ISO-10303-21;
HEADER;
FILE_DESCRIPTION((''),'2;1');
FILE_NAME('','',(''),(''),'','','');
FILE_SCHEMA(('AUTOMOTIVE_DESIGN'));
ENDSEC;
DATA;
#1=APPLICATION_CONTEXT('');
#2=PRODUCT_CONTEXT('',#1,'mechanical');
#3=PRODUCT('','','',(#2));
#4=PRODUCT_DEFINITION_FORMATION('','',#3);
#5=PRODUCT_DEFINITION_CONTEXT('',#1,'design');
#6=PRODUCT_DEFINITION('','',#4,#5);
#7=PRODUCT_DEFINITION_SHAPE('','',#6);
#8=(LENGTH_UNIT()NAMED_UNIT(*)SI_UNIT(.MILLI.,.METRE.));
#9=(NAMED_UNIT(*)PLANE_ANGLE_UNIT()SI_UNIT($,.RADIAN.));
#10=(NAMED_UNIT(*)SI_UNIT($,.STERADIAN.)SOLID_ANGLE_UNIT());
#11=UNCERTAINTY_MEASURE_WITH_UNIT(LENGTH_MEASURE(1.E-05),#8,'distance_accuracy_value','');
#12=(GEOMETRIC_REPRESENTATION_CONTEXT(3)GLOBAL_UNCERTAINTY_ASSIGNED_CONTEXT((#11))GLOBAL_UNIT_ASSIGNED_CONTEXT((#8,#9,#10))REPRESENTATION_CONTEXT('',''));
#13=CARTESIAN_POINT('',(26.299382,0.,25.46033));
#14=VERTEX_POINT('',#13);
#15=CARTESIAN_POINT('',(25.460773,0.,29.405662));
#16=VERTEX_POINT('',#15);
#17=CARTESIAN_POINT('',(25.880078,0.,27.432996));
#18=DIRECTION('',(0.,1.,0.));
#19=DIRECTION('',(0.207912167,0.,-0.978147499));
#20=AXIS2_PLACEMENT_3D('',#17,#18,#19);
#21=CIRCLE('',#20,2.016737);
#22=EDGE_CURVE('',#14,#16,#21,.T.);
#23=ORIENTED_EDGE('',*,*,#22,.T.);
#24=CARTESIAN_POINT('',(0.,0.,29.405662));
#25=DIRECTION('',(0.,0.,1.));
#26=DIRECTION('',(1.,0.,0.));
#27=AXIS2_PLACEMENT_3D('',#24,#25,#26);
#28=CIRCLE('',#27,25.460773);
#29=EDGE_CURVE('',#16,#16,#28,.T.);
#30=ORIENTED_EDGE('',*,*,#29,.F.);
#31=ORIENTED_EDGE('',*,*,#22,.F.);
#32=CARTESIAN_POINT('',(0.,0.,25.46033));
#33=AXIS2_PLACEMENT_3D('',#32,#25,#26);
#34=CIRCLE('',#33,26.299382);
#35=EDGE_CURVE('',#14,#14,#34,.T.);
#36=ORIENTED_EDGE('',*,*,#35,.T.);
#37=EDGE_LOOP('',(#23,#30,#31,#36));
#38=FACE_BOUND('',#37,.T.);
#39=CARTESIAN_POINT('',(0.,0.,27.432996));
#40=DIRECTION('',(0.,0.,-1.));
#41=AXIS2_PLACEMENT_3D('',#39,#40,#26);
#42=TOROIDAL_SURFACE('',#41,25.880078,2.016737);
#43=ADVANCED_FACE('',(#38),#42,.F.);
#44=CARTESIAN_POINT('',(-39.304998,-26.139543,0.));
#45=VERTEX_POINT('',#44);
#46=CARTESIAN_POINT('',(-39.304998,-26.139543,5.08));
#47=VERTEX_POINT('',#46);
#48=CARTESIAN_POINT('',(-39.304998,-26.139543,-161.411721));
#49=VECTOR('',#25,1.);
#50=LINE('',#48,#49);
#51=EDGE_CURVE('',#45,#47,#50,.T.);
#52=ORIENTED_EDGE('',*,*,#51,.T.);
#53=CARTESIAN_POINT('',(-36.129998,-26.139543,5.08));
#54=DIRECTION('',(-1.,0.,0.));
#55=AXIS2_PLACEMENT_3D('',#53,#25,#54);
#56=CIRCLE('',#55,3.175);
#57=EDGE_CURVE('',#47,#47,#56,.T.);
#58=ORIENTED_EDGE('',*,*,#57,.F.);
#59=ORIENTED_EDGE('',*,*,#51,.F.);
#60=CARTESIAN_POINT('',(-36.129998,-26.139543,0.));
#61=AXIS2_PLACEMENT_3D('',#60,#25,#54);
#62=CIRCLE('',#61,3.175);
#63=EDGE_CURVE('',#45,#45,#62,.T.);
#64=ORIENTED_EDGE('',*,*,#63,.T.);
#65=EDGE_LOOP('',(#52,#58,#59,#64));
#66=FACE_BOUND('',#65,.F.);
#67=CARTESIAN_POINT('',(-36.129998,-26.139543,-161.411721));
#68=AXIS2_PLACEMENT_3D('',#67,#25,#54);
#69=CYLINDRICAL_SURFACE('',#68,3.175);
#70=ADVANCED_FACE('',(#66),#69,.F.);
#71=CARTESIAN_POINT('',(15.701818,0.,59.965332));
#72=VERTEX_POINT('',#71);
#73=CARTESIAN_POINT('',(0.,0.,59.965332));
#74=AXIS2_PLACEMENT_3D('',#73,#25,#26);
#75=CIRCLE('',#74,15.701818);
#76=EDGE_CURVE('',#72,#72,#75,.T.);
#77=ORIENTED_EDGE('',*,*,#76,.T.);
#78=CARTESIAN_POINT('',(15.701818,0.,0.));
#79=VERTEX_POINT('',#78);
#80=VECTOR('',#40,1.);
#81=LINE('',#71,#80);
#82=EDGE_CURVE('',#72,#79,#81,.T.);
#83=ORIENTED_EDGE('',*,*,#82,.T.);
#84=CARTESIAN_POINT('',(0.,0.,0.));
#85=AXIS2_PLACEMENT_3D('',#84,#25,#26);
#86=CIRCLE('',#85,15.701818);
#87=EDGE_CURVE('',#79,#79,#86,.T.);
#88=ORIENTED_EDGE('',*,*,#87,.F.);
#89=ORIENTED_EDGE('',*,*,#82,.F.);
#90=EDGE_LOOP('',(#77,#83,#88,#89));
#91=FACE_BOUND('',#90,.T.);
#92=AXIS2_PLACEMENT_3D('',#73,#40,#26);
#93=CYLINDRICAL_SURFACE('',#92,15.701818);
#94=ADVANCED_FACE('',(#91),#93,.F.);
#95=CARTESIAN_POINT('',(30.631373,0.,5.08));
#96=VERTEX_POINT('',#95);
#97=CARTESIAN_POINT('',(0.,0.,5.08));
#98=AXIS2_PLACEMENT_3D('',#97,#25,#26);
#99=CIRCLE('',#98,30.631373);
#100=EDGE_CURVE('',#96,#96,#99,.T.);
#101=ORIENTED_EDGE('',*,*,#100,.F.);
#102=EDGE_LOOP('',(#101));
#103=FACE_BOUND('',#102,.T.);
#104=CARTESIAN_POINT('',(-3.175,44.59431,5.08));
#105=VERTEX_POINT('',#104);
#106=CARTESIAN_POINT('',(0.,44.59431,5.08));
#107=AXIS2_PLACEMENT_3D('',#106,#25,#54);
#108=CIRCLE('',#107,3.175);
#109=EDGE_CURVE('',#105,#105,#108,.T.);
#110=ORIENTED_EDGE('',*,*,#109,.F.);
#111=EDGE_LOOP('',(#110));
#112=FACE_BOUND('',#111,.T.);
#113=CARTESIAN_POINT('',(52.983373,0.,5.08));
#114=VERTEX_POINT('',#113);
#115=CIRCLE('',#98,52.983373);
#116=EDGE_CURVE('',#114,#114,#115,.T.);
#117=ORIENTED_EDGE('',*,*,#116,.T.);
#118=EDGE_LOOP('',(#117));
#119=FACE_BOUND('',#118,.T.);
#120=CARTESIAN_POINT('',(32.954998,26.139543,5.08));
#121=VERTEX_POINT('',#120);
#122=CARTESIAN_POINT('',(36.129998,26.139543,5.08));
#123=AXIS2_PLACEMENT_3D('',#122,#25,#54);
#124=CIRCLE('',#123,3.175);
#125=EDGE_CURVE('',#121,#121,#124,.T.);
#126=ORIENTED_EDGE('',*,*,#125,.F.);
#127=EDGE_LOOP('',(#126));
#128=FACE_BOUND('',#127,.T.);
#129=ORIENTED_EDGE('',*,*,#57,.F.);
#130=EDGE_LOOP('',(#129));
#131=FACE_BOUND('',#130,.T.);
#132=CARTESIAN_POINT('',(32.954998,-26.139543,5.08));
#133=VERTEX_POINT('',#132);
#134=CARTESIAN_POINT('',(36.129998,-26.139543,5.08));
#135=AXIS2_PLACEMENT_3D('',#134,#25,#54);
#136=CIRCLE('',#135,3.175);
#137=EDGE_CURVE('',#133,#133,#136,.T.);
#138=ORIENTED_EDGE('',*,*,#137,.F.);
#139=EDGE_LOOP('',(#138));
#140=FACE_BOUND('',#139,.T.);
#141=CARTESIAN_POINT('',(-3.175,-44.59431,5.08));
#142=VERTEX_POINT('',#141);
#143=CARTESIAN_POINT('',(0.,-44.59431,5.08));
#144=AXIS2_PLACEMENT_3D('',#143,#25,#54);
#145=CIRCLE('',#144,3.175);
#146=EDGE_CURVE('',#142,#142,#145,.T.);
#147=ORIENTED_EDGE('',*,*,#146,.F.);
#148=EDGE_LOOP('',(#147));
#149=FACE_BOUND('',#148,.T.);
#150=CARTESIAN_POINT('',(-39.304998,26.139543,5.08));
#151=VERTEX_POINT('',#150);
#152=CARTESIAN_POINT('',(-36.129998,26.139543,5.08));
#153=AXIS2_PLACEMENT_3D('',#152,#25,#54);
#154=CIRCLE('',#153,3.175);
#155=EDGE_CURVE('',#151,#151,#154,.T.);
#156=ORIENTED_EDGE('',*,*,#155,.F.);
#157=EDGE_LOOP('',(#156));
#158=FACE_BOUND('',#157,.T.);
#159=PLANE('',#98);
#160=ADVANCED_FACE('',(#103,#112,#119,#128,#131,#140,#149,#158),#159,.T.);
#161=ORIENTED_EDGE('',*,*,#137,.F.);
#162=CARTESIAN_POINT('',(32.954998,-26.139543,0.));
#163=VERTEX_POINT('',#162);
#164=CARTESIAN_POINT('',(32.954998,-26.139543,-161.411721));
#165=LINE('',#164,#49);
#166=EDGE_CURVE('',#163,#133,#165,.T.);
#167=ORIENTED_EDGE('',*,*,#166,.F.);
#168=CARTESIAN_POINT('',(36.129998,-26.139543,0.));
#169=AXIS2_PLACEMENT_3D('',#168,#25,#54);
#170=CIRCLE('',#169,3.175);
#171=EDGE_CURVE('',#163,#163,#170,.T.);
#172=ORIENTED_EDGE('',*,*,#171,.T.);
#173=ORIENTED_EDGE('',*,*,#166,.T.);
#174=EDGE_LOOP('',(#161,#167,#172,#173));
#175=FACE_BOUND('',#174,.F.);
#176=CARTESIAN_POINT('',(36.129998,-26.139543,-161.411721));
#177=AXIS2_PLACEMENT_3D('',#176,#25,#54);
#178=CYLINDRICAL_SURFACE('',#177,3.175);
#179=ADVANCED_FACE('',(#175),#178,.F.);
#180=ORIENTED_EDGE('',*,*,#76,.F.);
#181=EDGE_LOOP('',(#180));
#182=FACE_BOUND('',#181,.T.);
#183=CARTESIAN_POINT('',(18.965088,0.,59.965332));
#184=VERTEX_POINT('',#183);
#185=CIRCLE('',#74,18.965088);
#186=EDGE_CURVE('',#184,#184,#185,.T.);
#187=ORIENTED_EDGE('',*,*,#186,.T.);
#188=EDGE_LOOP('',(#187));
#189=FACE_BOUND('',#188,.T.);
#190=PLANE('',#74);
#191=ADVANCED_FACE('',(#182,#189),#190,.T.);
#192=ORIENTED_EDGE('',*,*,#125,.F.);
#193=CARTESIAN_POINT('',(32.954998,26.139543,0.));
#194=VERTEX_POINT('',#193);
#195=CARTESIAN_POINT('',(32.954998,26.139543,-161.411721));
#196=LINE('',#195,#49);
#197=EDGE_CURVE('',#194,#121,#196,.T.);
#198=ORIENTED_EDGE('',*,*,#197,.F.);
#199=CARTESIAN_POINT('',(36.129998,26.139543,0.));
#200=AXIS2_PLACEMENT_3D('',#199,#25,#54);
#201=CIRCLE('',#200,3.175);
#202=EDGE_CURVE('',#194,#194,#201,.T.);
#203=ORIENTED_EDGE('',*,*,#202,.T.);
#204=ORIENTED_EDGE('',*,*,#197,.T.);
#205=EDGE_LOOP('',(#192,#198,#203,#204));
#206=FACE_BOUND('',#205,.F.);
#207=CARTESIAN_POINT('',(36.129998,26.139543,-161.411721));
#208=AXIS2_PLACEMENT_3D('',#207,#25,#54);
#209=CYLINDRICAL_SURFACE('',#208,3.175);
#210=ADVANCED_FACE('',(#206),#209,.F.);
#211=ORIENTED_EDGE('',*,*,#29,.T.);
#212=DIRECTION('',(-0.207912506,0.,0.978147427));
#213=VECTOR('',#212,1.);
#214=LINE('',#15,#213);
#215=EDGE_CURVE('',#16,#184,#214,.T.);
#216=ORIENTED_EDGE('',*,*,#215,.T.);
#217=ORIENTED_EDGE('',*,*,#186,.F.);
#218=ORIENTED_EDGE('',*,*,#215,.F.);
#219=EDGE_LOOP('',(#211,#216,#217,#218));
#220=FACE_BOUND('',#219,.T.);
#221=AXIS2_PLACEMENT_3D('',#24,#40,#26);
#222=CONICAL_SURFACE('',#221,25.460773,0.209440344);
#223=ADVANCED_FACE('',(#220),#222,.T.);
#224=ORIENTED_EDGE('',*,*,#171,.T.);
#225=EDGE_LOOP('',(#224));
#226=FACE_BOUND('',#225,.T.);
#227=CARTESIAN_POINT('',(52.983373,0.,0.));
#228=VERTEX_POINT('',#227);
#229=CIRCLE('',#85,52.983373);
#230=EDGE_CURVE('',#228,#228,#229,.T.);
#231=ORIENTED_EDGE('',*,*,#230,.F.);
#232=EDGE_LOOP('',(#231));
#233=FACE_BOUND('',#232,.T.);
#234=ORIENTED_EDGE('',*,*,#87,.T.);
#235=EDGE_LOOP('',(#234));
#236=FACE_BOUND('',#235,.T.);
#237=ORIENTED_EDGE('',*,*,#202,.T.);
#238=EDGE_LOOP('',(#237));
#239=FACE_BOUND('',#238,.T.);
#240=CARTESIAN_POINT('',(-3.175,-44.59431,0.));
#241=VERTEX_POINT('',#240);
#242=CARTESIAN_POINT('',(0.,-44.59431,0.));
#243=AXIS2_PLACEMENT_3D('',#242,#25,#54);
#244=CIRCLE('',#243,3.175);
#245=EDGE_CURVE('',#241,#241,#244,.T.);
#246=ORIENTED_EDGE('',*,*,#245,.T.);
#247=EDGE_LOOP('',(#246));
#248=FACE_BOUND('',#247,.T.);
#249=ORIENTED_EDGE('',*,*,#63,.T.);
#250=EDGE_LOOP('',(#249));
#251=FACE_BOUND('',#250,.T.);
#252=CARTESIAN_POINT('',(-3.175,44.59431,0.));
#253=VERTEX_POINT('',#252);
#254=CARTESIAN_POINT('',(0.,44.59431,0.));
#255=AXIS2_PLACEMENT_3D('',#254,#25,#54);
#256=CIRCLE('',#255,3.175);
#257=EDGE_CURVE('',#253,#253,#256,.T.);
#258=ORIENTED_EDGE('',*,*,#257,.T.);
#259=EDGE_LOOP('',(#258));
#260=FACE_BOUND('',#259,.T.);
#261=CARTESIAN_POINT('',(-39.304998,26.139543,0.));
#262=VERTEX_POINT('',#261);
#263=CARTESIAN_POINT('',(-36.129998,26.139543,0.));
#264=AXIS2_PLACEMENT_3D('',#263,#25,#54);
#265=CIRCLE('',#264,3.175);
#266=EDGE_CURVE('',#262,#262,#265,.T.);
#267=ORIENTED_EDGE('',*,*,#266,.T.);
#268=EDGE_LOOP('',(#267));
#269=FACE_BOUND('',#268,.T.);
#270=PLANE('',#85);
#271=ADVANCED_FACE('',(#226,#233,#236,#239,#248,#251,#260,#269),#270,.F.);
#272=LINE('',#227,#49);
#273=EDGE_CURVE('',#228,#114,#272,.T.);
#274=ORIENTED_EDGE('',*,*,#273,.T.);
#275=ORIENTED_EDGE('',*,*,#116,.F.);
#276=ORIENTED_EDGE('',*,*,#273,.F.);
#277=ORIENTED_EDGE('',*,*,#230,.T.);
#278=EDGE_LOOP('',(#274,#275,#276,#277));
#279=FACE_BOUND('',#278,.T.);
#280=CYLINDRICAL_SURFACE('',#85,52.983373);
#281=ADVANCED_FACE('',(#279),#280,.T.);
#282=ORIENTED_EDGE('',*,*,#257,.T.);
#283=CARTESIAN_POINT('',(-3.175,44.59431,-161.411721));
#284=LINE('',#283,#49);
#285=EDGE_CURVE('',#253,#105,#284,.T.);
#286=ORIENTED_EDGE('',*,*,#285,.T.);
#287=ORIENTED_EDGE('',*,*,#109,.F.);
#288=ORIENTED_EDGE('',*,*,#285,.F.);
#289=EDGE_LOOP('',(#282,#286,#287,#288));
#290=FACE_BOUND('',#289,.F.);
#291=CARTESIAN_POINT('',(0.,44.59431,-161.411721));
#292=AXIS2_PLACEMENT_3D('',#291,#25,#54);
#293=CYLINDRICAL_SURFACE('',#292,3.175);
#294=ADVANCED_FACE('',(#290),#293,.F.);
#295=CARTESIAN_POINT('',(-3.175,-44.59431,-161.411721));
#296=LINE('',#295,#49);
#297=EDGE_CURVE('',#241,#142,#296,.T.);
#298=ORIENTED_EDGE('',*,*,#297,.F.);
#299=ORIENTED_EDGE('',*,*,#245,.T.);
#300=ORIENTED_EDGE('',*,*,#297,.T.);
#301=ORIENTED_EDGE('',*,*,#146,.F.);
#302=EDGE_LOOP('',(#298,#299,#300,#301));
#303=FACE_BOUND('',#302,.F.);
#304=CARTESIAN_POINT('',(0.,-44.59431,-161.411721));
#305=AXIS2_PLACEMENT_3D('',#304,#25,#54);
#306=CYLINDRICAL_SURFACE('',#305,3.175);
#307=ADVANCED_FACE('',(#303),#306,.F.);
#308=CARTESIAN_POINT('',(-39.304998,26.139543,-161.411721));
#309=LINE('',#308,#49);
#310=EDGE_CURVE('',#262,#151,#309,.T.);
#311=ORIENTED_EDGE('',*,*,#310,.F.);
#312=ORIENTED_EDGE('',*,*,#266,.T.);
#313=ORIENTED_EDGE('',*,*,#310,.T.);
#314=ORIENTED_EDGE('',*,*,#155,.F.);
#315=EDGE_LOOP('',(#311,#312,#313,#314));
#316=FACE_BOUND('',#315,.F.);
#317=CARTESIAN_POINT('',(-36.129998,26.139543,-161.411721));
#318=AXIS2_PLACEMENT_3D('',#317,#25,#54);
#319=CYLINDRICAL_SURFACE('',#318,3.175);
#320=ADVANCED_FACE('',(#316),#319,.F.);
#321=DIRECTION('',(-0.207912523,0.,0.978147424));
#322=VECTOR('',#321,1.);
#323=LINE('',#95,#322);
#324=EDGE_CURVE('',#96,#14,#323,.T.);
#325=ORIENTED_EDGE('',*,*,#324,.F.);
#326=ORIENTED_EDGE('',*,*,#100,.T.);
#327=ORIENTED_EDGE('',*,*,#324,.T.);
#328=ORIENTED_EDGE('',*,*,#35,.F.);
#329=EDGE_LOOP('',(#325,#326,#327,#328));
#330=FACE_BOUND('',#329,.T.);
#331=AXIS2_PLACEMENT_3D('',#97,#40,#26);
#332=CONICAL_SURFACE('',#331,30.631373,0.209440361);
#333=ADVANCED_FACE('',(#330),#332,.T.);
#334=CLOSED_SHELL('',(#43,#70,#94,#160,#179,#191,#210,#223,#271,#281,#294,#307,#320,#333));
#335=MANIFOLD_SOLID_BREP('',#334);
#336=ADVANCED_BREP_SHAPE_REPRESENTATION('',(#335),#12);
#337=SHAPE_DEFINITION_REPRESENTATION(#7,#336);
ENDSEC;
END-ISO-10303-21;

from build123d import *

# Parameters (mm, degrees)
F3_D = 6.35


with BuildPart() as f1:
    # F0 (on Front) → F1 (revolve)
    with BuildSketch(Plane.XZ):
        with BuildLine():
            Line((15.701818, 59.965332), (15.701818, 5.08))
            Line((15.701818, 5.08), (30.631373, 5.08))
            Line((30.631373, 5.08), (26.299382, 25.46033))
            ThreePointArc((26.299382, 25.46033), (23.907412, 27.013691), (25.460773, 29.405662))
            Line((25.460773, 29.405662), (18.965088, 59.965332))
            Line((18.965088, 59.965332), (15.701818, 59.965332))
        make_face()
        Polygon((30.631373, 5.08), (15.701818, 5.08), (15.701818, 0), (52.983373, 0), (52.983373, 5.08), align=None)
    revolve(axis=Axis((0, 0, 30.249089), (0, 0, 1)))

    # F3 (through all)
    with Locations(Plane(origin=(0, 0, 0), x_dir=(1, 0, 0), z_dir=(0, 0, -1))):
        with Locations((-36.129998, 26.139543), (0, 44.59431), (36.129998, 26.139543), (36.129998, -26.139543), (0, -44.59431), (-36.129998, -26.139543)):
            Hole(F3_D / 2)


solid = f1.part
